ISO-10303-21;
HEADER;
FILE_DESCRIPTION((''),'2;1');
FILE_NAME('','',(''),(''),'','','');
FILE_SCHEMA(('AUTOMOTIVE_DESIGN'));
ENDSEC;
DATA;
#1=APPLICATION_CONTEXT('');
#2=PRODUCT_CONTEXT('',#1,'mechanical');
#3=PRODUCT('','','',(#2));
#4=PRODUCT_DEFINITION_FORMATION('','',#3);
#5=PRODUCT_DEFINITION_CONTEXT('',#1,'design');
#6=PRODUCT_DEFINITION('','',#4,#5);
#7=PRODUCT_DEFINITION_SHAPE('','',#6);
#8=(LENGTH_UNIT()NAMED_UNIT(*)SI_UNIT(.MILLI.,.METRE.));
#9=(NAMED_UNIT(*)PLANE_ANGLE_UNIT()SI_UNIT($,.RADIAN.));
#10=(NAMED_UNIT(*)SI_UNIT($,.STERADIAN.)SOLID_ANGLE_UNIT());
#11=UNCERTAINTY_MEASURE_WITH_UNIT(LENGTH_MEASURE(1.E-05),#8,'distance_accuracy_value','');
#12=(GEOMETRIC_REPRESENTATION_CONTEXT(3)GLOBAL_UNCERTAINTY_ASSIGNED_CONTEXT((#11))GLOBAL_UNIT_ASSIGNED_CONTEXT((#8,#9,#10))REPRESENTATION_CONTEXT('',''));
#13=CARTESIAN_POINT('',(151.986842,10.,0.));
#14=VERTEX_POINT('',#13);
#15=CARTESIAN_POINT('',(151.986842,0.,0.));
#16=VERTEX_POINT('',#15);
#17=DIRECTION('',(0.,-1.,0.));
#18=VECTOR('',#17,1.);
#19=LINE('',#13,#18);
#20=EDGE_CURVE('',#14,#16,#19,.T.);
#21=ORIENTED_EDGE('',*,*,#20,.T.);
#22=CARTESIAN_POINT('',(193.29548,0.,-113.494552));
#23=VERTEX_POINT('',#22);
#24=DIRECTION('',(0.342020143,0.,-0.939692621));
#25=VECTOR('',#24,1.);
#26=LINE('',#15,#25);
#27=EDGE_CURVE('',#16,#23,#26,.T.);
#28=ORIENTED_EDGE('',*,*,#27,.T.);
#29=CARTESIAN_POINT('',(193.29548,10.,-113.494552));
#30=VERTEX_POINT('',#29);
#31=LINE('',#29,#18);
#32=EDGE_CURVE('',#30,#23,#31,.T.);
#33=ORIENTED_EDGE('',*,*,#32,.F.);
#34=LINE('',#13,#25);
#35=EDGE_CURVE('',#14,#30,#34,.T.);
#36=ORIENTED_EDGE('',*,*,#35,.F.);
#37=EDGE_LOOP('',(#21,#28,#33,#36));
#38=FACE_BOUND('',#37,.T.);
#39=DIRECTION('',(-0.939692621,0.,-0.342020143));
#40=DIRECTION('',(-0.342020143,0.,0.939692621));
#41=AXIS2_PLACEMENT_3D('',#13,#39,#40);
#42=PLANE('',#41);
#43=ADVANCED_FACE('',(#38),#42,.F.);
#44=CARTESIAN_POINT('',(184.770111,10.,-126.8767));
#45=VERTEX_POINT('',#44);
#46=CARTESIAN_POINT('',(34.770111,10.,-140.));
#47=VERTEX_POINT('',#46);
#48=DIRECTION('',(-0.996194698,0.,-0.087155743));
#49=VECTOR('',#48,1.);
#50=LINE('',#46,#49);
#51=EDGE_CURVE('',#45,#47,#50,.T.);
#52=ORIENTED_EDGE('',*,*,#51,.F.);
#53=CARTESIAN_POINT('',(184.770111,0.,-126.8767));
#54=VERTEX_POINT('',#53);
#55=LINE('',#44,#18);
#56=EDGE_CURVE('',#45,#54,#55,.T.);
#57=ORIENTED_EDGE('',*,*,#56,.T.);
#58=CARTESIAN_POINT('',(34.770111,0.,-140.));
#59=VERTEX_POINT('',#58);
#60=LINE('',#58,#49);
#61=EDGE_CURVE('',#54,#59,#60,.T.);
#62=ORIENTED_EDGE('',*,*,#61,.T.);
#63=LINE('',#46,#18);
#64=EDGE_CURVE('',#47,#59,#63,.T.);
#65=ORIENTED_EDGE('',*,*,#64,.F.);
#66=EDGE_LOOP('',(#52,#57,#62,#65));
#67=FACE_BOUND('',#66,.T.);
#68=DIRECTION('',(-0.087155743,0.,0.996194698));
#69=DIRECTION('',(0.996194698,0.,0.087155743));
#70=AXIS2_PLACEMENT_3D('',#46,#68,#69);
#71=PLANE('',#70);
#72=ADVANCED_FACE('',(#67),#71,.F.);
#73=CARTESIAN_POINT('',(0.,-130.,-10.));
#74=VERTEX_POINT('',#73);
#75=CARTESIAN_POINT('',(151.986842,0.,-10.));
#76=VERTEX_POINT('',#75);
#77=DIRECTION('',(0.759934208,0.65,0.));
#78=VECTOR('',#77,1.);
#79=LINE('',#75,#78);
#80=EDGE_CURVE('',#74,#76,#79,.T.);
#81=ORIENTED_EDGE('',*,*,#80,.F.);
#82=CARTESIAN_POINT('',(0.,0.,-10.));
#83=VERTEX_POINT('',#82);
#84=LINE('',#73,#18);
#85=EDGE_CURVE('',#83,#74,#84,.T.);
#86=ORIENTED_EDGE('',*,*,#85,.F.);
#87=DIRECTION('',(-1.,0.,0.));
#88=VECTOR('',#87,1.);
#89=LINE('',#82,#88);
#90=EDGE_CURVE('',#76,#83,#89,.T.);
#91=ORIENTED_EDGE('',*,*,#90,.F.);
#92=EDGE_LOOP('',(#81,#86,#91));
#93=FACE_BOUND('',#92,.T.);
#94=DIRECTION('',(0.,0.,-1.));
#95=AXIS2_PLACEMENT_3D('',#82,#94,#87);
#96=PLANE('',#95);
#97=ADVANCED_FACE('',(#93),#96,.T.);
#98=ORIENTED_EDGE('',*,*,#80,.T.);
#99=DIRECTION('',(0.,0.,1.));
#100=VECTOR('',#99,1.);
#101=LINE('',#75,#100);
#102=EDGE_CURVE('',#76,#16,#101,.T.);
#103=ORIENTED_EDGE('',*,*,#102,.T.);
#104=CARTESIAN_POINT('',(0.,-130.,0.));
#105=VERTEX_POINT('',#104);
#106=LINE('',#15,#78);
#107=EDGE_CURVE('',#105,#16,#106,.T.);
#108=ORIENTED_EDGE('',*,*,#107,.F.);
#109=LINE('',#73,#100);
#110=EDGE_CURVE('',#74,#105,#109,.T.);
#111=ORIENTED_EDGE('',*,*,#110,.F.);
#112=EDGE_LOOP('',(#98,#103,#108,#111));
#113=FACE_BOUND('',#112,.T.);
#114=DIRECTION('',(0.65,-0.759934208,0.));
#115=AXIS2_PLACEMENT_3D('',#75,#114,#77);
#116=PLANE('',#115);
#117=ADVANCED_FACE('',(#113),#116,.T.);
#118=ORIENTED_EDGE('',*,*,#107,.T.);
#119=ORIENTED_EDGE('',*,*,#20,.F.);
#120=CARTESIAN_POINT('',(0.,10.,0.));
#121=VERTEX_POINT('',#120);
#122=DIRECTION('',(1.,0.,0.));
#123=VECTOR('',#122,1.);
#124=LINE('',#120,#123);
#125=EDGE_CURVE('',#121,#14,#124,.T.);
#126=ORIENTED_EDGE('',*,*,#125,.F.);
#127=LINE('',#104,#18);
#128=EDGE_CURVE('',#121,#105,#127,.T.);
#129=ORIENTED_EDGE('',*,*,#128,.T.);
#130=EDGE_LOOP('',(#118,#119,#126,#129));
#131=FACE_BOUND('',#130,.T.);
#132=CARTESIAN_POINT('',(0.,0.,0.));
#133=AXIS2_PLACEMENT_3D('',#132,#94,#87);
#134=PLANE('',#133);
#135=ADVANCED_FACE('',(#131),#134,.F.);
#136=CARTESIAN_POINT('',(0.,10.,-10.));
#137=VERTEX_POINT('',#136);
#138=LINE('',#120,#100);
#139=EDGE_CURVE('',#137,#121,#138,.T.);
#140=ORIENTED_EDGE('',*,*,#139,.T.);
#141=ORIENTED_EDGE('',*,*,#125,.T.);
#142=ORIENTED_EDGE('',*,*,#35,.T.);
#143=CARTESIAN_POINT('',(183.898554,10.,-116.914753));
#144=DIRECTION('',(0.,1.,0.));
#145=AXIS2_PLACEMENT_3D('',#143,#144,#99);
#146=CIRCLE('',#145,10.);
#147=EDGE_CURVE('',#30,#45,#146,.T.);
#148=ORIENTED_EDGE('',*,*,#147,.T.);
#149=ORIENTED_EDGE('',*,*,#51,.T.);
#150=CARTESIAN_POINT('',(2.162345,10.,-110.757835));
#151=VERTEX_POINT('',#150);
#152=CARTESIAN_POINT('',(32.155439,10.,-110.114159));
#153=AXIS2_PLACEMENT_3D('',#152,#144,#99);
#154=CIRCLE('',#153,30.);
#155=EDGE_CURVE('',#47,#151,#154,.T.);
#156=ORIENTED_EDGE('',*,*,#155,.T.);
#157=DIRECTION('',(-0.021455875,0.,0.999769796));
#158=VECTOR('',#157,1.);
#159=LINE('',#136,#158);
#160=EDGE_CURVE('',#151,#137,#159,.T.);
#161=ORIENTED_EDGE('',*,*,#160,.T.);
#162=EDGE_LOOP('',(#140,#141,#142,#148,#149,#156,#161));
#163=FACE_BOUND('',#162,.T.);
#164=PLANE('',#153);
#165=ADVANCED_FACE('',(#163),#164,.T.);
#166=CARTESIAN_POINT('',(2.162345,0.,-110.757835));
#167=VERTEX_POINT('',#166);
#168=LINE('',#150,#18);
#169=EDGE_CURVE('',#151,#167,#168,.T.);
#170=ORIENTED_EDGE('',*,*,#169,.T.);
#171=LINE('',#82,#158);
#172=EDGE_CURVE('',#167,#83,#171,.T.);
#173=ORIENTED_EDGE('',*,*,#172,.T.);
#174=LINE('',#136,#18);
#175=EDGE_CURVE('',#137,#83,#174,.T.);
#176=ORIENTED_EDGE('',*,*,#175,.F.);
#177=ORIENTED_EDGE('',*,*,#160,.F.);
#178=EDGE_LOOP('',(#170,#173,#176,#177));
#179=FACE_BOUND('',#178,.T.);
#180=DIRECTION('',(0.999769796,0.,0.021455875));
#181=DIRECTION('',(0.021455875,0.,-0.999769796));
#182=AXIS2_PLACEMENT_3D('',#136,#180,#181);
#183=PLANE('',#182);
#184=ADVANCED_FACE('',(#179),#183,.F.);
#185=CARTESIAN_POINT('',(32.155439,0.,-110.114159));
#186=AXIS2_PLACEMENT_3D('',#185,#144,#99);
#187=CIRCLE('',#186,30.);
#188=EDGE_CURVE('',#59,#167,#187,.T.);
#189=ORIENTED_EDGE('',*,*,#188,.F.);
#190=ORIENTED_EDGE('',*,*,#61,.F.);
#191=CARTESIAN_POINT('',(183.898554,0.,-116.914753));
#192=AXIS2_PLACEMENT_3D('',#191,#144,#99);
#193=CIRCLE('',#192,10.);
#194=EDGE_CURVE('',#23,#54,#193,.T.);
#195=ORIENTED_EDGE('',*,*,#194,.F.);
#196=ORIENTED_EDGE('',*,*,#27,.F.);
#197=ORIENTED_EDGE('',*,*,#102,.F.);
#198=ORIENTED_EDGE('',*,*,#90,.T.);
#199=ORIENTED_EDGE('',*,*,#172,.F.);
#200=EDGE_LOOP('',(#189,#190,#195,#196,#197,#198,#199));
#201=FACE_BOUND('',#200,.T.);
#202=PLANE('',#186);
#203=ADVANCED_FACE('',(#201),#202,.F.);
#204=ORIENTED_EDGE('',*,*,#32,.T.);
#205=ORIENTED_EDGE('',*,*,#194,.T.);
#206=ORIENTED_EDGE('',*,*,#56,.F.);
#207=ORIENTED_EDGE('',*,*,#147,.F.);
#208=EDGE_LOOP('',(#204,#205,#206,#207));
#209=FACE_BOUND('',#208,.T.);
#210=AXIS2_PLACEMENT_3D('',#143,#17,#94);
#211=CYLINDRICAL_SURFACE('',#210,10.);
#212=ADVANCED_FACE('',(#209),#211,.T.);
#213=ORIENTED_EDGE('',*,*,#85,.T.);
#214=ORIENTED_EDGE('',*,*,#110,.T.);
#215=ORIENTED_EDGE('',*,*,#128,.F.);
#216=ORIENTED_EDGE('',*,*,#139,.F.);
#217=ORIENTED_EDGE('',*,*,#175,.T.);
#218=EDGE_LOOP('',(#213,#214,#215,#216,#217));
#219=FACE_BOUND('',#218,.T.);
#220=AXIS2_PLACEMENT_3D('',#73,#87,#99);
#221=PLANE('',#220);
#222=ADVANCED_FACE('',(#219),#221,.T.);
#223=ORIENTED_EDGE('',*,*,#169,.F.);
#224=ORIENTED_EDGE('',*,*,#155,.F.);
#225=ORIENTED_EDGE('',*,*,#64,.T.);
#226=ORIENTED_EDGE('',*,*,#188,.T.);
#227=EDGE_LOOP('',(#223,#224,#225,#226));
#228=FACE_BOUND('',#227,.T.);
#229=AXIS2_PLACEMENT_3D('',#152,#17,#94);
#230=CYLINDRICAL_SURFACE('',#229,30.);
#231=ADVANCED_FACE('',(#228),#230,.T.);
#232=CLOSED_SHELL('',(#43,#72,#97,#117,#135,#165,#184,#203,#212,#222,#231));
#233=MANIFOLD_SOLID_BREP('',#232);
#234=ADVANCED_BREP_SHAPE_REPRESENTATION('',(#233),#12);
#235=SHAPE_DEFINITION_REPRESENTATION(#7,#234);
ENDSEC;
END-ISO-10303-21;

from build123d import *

# Parameters (mm, degrees)
BOSS_EXTRUDE3_DEPTH = 10
BOSS_EXTRUDE4_DEPTH = 10


with BuildPart() as part:
    # Sketch3 → Boss-Extrude3 (new body)
    with BuildSketch(Plane.XY):
        Polygon((0, 0), (151.986841536, 0), (0, -130), align=None)
    extrude(amount=-BOSS_EXTRUDE3_DEPTH)

    # Sketch5 → Boss-Extrude4 (add)
    with BuildSketch(Plane(origin=(0, 0, 0), x_dir=(1, 0, 0), z_dir=(0, 1, 0))):
        with BuildLine():
            Line((0, 0), (151.986841536, 0))
            Line((151.986841536, 0), (193.295480236, 113.494552057))
            ThreePointArc((193.295480236, 113.494552057), (192.332468486, 122.287749574), (184.770111455, 126.876700471))
            Line((184.770111455, 126.876700471), (34.770111455, 140))
            ThreePointArc((34.770111455, 140), (12.126197015, 132.448649393), (2.162345286, 110.757835303))
            Line((2.162345286, 110.757835303), (0, 10))
            Line((0, 10), (0, 0))
        make_face()
    extrude(amount=BOSS_EXTRUDE4_DEPTH)


solid = part.part
